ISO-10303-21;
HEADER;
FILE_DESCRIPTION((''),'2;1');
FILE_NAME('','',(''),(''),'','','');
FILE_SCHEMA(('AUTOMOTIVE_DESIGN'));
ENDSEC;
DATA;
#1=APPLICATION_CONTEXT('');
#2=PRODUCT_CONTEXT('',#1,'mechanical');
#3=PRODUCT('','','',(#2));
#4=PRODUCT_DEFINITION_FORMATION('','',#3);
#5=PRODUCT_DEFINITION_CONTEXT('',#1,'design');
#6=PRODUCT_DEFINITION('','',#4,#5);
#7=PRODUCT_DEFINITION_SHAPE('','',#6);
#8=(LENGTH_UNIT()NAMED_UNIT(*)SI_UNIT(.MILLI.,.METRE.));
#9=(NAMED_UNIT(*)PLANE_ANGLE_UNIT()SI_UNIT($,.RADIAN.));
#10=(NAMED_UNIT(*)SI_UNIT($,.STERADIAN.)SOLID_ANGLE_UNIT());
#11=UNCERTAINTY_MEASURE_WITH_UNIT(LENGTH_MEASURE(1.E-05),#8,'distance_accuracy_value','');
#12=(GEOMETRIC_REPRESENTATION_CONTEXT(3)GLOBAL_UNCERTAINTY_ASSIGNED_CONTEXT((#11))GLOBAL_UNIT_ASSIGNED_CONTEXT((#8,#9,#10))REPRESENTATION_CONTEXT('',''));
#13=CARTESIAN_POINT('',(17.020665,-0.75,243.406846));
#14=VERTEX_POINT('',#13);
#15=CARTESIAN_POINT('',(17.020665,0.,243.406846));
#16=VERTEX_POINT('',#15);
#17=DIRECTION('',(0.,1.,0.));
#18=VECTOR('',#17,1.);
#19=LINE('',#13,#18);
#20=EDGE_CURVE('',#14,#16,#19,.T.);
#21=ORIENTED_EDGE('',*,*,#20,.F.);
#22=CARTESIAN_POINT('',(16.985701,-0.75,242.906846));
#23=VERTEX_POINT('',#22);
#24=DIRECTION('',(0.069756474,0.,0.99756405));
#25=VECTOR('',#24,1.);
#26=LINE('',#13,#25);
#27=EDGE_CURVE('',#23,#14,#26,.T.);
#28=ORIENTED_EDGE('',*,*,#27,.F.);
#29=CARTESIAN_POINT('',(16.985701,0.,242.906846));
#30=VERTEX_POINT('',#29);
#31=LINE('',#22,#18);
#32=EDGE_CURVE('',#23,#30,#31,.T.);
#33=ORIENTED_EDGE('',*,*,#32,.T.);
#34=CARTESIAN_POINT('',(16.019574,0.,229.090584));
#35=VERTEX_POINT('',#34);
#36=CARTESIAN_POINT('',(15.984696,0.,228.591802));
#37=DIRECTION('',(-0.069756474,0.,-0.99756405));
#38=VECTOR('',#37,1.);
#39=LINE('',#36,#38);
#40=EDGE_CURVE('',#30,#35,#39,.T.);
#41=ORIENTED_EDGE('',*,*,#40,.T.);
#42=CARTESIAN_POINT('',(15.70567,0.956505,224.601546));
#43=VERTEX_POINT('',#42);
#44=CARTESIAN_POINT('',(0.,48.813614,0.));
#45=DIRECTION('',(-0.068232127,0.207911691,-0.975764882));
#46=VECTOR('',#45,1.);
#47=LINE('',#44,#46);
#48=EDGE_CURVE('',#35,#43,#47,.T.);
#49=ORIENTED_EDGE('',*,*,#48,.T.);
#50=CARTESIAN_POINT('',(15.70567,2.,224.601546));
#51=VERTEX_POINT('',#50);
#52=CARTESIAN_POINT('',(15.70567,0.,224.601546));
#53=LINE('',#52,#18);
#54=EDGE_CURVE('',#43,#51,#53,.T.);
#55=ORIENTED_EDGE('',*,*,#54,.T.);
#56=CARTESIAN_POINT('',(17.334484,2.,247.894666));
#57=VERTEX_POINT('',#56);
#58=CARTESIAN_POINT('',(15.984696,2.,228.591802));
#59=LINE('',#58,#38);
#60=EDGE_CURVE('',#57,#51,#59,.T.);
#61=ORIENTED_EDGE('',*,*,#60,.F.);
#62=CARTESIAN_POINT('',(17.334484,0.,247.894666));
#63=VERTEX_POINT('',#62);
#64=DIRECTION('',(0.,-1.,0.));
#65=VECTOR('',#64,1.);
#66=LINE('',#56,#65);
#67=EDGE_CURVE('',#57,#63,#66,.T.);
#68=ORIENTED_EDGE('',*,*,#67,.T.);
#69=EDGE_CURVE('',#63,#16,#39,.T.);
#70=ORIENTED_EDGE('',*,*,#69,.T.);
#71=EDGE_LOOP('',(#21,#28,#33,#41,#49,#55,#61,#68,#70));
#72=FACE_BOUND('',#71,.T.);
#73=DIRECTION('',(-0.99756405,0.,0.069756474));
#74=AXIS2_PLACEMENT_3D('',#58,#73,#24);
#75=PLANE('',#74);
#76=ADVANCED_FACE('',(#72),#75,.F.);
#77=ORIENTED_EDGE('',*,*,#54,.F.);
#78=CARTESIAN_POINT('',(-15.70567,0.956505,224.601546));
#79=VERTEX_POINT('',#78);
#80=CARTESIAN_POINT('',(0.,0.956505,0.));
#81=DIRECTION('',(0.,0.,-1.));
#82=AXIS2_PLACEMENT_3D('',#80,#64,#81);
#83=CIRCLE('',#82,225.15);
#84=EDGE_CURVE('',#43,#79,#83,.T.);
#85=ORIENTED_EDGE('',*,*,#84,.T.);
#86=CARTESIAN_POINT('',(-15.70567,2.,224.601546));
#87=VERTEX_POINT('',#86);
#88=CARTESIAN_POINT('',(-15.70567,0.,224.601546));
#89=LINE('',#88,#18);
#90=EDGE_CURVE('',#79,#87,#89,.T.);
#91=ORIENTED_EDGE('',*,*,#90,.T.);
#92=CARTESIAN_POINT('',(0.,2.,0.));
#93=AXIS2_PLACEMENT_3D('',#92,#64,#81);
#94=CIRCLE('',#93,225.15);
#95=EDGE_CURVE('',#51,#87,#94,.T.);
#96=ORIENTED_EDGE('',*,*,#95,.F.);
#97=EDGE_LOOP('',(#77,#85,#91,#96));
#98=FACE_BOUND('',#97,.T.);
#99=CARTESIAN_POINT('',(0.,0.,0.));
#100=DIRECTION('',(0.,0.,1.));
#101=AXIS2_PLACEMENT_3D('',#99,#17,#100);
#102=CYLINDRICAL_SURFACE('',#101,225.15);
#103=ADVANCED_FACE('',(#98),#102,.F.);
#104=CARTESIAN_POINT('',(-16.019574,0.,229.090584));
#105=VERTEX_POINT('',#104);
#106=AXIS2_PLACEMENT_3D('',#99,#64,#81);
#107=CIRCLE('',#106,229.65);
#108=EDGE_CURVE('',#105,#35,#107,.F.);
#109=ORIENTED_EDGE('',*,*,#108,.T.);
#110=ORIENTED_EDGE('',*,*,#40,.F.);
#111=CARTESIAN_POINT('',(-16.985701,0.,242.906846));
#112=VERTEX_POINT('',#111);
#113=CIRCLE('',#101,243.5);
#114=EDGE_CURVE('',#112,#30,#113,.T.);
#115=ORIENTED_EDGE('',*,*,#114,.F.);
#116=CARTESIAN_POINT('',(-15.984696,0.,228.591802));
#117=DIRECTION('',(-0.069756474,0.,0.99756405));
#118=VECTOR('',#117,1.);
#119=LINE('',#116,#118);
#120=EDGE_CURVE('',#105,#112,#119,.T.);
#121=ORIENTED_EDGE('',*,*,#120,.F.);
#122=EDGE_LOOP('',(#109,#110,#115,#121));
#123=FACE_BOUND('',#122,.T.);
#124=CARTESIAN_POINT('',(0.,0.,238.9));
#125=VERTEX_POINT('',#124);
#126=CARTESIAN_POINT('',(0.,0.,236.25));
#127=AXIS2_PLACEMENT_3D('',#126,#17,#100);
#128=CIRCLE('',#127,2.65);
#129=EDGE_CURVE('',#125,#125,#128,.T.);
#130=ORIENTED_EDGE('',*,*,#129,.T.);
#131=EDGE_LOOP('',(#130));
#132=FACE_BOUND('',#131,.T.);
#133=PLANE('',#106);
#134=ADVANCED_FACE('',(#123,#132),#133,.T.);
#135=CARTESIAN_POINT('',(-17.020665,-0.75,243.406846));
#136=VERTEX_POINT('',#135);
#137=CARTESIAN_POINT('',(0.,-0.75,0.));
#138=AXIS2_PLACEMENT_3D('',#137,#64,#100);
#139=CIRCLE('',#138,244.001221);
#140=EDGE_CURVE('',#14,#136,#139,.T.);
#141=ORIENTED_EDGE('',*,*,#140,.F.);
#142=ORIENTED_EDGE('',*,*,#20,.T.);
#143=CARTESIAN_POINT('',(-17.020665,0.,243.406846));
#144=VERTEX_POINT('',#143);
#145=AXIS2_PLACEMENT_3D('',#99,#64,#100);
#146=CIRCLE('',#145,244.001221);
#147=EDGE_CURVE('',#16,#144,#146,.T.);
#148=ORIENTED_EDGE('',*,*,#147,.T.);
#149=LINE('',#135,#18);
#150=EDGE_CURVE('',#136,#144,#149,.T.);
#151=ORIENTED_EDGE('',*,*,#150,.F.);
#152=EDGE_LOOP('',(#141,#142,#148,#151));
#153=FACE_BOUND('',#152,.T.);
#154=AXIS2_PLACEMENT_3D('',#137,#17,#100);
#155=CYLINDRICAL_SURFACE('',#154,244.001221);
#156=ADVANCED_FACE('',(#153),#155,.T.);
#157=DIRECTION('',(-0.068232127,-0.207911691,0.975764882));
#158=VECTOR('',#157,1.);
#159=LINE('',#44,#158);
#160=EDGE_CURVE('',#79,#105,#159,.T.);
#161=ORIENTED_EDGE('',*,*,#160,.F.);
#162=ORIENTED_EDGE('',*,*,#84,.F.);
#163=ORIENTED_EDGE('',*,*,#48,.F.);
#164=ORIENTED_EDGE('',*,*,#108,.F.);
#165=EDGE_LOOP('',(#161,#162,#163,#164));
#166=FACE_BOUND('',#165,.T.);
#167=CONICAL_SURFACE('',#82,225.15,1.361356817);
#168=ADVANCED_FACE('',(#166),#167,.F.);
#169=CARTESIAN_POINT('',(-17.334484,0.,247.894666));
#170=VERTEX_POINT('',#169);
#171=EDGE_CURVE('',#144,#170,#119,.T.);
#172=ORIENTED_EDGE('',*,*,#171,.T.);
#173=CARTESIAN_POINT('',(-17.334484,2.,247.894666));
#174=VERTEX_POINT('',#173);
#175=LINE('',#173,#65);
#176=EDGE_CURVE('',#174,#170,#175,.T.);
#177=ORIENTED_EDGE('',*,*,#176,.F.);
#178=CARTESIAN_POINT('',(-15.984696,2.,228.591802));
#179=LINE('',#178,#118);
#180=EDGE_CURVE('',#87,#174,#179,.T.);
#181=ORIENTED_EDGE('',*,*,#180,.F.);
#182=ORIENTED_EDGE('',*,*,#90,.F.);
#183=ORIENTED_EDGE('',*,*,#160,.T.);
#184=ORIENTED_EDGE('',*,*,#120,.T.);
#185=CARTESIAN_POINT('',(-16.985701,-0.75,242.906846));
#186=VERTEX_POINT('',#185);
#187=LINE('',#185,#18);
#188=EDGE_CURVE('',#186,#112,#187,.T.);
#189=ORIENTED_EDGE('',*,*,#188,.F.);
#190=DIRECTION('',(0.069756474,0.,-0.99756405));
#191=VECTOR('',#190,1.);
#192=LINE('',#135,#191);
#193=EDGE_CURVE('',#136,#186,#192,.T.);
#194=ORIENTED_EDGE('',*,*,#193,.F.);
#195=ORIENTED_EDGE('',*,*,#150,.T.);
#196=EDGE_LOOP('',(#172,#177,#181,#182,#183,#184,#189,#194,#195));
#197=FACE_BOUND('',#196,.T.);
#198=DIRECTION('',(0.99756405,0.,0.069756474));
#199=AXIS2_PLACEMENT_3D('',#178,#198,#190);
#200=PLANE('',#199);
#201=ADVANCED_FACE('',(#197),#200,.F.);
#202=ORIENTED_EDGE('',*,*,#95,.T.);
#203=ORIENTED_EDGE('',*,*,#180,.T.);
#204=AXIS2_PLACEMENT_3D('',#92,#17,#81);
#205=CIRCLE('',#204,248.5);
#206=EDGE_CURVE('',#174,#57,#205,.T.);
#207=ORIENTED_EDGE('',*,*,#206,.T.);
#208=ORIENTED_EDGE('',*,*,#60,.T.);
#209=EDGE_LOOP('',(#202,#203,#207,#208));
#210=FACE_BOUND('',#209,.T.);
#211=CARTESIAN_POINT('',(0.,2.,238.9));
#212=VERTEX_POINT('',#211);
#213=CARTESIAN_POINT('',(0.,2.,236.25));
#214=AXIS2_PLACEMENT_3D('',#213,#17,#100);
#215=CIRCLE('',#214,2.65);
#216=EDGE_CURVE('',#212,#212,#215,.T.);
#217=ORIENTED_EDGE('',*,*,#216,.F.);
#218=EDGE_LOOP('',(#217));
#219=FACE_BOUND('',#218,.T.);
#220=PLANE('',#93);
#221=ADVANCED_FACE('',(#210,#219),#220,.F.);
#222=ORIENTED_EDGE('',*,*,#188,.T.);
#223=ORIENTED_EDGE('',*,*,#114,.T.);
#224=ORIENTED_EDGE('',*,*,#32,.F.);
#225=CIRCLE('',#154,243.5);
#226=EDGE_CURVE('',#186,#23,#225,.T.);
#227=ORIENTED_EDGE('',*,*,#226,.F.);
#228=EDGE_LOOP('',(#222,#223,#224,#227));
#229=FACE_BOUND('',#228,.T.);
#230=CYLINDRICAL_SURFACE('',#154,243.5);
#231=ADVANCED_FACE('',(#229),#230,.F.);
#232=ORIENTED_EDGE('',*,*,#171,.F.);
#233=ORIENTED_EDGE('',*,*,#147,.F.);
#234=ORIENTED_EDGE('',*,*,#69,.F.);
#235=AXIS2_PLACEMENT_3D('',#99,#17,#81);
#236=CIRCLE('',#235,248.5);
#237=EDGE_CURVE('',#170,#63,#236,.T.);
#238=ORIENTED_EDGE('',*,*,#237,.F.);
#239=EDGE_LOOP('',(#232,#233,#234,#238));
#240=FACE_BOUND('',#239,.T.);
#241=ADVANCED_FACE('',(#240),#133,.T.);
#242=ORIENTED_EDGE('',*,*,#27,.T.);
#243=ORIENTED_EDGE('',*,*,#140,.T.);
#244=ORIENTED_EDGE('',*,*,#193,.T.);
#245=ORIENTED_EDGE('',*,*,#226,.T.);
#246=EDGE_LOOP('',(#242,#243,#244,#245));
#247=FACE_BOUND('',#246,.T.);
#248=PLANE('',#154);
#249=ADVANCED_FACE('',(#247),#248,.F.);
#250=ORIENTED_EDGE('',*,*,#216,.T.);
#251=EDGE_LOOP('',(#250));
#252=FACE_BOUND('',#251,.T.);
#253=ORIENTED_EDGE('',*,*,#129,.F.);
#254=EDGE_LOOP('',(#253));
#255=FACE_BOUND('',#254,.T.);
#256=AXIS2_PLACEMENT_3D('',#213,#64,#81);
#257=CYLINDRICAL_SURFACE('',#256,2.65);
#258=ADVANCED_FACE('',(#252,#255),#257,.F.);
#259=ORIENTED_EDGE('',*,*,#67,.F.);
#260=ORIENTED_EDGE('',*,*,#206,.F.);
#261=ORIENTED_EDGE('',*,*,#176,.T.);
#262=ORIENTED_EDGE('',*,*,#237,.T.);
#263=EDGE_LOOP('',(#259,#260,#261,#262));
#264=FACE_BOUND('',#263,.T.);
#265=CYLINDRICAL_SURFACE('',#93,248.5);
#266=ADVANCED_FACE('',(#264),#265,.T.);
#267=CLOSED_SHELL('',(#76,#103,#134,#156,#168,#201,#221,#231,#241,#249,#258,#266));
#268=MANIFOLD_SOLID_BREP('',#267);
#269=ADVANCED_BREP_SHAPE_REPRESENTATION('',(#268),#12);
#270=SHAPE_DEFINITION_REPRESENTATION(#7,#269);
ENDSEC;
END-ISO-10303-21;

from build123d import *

# Parameters (mm, degrees)
SKETCH2_R           = 2.65
BOSS_EXTRUDE1_DEPTH = 2
BOSS_EXTRUDE2_DEPTH = 2
CHAMFER1_SIZE       = 4.5
CHAMFER1_SIZE2      = 0.956504528
BOSS_EXTRUDE3_DEPTH = 0.75


with BuildPart() as part:
    # Sketch2 → Boss-Extrude1 (new body)
    with BuildSketch(Plane(origin=(0, 0, 0), x_dir=(1, 0, 0), z_dir=(0, 1, 0))):
        with BuildLine():
            Line((-15.984695958, -228.591802117), (-17.334483725, -247.89466649))
            ThreePointArc((-17.334483725, -247.89466649), (0, -248.5), (17.334483725, -247.89466649))
            Line((17.334483725, -247.89466649), (15.984695958, -228.591802117))
            ThreePointArc((15.984695958, -228.591802117), (0, -229.15), (-15.984695958, -228.591802117))
        make_face()
        with Locations(Location((0, -236.25, 0), (0, 0, 270))):
            Circle(SKETCH2_R, mode=Mode.SUBTRACT)
    extrude(amount=BOSS_EXTRUDE1_DEPTH)

    # Sketch3 → Boss-Extrude2 (add)
    with BuildSketch(Plane(origin=(0, 0, 0), x_dir=(1, 0, 0), z_dir=(0, 1, 0))):
        with BuildLine():
            Line((-15.705670063, -224.601545916), (-15.984695958, -228.591802117))
            ThreePointArc((-15.984695958, -228.591802117), (0, -229.15), (15.984695958, -228.591802117))
            Line((15.984695958, -228.591802117), (15.705670063, -224.601545916))
            ThreePointArc((15.705670063, -224.601545916), (0, -225.15), (-15.705670063, -224.601545916))
        make_face()
    extrude(amount=BOSS_EXTRUDE2_DEPTH)

    # Chamfer1
    chamfer1_edges = [part.edges().sort_by_distance(p)[0] for p in [
        (0, 0, 225.15),
    ]]
    chamfer1_side = [part.faces().sort_by_distance(p)[0] for p in [
        (0, 0, 248.078921217),
    ]]
    chamfer(chamfer1_edges, length=CHAMFER1_SIZE, length2=CHAMFER1_SIZE2, reference=chamfer1_side[0])

    # Sketch4 → Boss-Extrude3 (add)
    with BuildSketch(Plane.XZ):
        with BuildLine():
            Line((-17.020664763, 243.406846238), (-16.985701357, 242.906846238))
            ThreePointArc((-16.985701357, 242.906846238), (0, 243.5), (16.985701357, 242.906846238))
            Line((16.985701357, 242.906846238), (17.020664763, 243.406846238))
            ThreePointArc((17.020664763, 243.406846238), (0, 244.001220949), (-17.020664763, 243.406846238))
        make_face()
    extrude(amount=BOSS_EXTRUDE3_DEPTH)


solid = part.part
